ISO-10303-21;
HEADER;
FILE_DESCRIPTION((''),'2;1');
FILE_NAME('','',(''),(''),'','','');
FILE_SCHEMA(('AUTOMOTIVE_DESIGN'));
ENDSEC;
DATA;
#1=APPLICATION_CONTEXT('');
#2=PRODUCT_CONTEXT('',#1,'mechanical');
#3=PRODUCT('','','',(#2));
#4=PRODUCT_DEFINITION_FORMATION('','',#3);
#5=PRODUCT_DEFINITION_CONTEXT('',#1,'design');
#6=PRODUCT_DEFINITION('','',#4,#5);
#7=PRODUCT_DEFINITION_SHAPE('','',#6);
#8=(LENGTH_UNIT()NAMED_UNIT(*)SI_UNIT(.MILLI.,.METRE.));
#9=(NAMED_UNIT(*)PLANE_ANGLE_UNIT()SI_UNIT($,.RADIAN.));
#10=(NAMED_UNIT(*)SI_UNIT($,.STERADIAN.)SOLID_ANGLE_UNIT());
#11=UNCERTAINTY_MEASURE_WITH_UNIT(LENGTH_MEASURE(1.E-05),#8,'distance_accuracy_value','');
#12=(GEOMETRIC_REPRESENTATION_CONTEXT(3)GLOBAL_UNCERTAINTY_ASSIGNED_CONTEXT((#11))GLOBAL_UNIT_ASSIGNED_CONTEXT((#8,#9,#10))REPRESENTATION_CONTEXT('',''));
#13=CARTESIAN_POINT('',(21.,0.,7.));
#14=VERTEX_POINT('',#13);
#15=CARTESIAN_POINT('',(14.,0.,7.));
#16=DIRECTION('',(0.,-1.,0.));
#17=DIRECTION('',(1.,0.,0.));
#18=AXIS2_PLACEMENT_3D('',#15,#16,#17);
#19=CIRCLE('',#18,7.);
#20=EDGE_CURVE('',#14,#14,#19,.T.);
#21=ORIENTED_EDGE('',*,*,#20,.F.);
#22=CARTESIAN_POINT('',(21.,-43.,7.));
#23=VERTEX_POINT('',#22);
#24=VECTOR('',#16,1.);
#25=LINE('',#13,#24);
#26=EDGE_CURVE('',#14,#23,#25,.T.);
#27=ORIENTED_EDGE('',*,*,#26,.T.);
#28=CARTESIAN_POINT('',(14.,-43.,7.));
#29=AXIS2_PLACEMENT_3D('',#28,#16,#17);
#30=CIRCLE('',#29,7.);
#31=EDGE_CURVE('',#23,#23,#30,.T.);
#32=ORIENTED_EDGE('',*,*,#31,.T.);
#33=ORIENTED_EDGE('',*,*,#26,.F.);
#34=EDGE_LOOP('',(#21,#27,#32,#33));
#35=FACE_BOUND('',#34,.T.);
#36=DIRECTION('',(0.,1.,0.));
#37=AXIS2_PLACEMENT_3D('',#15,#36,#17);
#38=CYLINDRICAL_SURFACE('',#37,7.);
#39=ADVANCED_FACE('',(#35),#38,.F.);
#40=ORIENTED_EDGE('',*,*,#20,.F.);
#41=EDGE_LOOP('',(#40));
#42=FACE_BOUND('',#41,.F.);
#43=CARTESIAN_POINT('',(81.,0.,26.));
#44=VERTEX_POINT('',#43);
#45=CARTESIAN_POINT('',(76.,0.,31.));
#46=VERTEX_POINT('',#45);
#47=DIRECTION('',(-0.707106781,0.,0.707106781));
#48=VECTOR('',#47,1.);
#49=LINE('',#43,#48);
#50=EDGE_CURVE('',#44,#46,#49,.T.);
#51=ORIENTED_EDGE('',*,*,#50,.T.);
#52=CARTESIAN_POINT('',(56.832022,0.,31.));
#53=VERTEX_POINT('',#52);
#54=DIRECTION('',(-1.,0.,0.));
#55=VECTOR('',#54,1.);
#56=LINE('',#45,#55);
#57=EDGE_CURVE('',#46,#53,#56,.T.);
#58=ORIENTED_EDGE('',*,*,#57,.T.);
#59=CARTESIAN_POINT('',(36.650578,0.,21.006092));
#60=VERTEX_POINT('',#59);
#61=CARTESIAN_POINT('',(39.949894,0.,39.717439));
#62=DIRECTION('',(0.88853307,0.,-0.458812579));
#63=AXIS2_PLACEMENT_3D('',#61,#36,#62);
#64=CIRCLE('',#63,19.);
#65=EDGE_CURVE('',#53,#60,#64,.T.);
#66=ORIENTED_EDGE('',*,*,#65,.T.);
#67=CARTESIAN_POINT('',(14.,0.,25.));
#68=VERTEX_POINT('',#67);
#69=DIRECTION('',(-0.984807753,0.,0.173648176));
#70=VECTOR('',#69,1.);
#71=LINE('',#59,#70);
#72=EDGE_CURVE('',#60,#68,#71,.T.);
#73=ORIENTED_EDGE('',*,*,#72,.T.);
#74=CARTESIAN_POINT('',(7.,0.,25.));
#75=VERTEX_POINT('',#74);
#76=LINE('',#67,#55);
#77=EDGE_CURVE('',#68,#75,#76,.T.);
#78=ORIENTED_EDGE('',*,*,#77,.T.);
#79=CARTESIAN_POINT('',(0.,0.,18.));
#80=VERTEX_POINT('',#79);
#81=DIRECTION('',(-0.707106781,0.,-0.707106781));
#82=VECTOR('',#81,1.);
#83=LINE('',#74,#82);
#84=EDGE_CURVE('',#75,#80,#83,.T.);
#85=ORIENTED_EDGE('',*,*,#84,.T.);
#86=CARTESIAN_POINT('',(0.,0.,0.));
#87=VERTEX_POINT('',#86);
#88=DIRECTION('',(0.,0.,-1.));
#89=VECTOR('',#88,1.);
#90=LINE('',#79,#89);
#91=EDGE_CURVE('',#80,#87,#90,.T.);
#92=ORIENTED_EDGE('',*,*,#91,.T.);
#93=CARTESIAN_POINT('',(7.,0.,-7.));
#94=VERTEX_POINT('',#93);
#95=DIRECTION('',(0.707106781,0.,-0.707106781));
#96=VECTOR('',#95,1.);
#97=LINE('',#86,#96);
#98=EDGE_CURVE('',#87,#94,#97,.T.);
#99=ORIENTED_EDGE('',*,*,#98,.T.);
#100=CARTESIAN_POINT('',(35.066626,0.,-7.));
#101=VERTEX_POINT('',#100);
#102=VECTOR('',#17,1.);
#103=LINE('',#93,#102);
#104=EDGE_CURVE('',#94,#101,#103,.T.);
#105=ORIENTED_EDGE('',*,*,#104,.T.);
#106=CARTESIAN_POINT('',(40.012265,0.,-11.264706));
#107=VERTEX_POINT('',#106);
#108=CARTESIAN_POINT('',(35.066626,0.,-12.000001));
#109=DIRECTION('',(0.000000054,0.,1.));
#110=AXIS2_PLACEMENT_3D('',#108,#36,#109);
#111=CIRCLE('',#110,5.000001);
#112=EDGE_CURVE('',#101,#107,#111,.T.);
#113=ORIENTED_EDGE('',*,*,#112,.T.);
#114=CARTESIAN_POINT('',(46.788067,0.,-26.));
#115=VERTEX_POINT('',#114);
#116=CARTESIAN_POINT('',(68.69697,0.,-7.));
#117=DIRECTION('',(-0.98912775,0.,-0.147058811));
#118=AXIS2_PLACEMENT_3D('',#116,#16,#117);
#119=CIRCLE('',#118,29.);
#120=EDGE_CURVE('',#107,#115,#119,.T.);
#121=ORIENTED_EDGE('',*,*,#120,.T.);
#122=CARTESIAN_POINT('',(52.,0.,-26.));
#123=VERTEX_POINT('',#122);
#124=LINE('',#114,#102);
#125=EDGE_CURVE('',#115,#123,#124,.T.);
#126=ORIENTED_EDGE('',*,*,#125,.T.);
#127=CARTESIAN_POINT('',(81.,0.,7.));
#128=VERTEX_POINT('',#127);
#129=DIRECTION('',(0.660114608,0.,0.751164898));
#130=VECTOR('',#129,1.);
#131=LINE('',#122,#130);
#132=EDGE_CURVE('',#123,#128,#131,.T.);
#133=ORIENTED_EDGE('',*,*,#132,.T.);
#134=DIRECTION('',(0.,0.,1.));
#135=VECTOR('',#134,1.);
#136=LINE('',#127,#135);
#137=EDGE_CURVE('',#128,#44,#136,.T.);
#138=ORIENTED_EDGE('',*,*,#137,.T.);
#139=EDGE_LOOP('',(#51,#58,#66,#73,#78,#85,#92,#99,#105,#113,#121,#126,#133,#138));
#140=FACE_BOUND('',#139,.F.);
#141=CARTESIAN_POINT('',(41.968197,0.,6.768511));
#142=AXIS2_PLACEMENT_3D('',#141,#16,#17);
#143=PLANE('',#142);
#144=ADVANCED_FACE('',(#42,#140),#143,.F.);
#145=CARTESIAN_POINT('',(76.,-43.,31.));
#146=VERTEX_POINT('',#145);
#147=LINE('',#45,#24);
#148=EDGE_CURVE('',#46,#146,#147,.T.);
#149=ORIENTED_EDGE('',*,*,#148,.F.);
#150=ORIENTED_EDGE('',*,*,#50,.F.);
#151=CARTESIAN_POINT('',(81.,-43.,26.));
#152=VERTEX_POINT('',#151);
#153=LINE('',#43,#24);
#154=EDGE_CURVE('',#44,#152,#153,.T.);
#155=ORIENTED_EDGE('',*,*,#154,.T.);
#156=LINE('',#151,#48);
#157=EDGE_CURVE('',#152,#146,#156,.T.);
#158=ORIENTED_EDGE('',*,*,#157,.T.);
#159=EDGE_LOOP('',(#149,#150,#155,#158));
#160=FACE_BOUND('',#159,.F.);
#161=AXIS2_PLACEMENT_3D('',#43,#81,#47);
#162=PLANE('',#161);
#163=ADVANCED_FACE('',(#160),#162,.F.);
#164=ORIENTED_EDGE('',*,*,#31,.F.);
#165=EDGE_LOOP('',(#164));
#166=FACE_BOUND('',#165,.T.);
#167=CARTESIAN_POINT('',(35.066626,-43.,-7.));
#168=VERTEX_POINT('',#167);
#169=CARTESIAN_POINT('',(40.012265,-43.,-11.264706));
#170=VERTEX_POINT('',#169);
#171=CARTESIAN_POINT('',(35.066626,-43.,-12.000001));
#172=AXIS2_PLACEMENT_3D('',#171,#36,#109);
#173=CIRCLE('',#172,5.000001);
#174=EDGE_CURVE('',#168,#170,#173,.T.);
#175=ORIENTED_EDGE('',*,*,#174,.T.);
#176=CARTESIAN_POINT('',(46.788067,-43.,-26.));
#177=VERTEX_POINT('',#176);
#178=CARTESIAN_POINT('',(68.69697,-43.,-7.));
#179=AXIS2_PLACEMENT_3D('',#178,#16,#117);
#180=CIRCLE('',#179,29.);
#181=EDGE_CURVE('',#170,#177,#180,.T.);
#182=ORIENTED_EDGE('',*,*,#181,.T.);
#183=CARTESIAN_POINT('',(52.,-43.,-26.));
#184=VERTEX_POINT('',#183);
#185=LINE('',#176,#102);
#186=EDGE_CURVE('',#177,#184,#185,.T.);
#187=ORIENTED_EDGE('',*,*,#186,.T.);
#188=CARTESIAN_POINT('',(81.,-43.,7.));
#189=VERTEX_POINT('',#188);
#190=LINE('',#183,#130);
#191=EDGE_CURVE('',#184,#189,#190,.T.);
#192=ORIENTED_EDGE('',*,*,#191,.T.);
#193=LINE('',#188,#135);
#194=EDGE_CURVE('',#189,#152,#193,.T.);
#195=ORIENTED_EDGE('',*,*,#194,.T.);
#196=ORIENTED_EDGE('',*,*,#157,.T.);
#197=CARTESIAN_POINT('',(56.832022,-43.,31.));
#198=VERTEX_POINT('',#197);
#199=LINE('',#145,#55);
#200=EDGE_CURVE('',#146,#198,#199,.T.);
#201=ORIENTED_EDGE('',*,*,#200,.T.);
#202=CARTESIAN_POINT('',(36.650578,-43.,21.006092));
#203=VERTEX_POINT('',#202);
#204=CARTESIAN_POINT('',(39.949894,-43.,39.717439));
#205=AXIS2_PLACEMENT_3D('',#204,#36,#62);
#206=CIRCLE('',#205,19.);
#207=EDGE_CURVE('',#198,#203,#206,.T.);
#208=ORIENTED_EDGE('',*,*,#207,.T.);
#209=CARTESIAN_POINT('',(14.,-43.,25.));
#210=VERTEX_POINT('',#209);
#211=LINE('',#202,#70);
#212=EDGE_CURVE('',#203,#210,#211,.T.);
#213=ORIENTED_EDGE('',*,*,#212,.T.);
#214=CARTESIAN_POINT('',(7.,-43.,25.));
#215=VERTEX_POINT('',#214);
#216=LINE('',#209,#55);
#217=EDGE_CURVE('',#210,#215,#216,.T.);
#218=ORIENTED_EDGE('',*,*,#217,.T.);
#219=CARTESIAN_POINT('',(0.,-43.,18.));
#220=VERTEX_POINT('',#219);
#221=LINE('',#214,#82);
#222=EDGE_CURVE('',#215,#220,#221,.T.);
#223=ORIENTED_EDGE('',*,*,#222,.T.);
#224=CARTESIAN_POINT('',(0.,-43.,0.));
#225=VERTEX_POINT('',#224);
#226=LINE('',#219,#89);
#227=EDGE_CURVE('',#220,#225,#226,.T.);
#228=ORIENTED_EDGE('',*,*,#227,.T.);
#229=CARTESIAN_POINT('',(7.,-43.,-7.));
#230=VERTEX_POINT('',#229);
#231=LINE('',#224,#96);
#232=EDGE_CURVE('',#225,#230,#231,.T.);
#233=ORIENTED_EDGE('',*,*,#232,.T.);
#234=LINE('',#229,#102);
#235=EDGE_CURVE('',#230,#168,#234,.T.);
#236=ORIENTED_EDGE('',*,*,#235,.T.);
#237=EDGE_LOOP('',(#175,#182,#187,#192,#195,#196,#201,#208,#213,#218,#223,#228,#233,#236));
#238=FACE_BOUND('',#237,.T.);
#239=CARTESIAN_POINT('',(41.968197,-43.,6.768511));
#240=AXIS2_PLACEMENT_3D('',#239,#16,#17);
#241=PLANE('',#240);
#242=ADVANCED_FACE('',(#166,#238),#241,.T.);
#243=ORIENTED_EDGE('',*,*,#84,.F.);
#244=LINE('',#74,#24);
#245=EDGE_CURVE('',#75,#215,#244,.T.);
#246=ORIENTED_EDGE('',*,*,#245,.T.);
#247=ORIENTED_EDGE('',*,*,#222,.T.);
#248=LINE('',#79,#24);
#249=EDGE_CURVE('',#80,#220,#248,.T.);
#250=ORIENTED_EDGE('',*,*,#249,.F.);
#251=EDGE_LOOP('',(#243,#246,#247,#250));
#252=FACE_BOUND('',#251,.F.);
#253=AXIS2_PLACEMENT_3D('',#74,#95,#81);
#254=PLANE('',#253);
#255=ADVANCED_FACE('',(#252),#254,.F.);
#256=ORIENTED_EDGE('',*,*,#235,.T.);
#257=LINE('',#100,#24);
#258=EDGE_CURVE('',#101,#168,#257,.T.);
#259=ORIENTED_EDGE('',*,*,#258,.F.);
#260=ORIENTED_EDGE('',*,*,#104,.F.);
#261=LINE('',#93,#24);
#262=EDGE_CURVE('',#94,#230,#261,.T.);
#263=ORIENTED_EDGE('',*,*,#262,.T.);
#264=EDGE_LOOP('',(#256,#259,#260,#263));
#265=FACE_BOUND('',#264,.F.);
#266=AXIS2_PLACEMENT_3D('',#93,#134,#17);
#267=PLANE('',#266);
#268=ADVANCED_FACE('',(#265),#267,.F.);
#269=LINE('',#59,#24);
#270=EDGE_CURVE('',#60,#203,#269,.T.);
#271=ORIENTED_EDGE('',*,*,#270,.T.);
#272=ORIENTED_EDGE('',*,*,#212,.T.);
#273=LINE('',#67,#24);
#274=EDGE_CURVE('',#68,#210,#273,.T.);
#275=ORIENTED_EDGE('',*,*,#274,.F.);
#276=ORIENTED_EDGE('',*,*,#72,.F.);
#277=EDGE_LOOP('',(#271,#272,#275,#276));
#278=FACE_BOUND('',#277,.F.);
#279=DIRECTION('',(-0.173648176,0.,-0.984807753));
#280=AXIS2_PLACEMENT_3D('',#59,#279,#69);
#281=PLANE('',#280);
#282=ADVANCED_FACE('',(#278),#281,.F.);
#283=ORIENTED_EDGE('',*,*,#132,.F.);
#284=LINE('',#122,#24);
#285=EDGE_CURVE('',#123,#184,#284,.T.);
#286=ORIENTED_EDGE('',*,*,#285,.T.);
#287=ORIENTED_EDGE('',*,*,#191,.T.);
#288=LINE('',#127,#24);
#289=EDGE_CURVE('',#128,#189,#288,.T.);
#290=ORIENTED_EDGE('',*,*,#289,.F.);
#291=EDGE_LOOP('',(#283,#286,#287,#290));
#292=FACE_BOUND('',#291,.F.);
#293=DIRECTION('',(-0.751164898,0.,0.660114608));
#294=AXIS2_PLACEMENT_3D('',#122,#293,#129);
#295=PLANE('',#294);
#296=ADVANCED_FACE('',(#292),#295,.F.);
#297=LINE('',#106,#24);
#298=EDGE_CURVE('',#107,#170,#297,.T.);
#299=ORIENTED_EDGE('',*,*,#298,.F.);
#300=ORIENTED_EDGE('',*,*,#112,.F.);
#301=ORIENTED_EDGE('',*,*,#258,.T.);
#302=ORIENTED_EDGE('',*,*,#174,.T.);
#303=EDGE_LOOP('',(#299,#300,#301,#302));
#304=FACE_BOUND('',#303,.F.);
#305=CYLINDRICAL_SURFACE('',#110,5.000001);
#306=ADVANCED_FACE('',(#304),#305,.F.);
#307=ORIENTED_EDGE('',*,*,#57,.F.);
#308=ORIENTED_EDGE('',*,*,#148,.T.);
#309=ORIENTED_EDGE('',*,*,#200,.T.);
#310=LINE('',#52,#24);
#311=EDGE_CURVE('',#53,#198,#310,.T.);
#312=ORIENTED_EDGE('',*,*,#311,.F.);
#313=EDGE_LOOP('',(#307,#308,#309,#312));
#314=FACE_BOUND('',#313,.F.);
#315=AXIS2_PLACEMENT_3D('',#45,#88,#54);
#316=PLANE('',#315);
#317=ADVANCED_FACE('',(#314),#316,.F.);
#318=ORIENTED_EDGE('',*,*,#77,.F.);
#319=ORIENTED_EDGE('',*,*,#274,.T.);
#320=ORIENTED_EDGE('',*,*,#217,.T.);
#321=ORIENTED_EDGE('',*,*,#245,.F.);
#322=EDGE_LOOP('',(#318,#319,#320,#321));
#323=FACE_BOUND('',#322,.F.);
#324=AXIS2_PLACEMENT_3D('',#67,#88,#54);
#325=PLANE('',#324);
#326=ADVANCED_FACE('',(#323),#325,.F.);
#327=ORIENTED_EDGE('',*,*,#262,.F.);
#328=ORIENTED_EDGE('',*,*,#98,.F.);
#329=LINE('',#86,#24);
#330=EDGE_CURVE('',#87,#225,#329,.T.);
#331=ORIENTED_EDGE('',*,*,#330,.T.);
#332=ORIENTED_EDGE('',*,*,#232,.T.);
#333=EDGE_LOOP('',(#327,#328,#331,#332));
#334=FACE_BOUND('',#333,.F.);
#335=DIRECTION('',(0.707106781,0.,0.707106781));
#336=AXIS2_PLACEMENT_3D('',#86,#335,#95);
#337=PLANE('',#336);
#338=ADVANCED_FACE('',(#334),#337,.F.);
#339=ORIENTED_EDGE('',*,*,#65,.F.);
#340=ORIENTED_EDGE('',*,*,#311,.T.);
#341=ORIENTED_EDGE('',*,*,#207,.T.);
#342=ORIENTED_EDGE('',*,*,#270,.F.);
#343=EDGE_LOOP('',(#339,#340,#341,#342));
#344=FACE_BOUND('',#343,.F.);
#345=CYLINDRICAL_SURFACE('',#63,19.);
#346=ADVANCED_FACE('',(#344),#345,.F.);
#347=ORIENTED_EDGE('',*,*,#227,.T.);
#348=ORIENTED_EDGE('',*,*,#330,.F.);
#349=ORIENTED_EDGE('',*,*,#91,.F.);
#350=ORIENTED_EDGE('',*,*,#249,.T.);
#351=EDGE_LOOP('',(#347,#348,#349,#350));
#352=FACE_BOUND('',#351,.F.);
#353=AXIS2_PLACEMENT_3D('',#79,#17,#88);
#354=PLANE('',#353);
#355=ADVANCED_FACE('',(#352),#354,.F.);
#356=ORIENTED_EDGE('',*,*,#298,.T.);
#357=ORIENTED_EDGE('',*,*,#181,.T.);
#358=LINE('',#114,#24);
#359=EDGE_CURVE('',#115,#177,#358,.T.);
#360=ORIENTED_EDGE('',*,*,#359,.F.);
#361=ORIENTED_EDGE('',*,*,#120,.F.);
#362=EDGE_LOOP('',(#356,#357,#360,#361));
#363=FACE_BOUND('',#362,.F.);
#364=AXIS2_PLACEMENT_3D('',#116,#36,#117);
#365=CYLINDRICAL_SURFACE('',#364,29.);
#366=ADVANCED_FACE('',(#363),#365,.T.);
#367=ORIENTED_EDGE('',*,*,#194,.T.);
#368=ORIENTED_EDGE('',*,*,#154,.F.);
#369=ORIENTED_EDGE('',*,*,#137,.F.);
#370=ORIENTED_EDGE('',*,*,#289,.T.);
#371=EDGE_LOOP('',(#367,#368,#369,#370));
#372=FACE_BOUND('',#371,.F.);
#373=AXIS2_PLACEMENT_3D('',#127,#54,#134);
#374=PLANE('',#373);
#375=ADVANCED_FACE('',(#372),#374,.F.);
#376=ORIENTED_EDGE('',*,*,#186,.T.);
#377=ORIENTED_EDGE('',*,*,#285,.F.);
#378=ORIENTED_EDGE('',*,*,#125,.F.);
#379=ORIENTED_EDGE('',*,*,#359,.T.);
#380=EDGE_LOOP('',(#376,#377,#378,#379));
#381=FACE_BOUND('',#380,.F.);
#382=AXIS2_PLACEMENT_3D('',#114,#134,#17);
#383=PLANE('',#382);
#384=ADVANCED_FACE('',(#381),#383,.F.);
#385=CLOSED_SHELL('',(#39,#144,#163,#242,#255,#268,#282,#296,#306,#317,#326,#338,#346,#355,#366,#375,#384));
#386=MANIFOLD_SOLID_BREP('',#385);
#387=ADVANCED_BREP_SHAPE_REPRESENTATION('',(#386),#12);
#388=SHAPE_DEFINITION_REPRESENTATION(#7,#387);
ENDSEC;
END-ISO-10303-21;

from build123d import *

# Parameters (mm, degrees)
F0_R     = 7
F1_DEPTH = 43


with BuildPart() as f1:
    # F0 (on Front) → F1 (new body)
    with BuildSketch(Plane.XZ):
        with BuildLine():
            Line((0, 18), (0, 0))
            Line((0, 0), (7, -7))
            Line((7, -7), (14, -7))
            Line((14, -7), (35.066626, -7))
            ThreePointArc((35.066626, -7), (38.331862, -8.213414), (40.012265, -11.264706))
            ThreePointArc((40.012265, -11.264706), (42.349095, -19.115672), (46.788067, -26))
            Line((46.788067, -26), (52, -26))
            Line((52, -26), (81, 7))
            Line((81, 7), (81, 26))
            Line((81, 26), (76, 31))
            Line((76, 31), (56.832022, 31))
            ThreePointArc((56.832022, 31), (48.381545, 22.690776), (36.650578, 21.006092))
            Line((36.650578, 21.006092), (14, 25))
            Line((14, 25), (7, 25))
            Line((7, 25), (0, 18))
        make_face()
        with Locations((14, 7)):
            Circle(F0_R, mode=Mode.SUBTRACT)
    extrude(amount=F1_DEPTH)


solid = f1.part
